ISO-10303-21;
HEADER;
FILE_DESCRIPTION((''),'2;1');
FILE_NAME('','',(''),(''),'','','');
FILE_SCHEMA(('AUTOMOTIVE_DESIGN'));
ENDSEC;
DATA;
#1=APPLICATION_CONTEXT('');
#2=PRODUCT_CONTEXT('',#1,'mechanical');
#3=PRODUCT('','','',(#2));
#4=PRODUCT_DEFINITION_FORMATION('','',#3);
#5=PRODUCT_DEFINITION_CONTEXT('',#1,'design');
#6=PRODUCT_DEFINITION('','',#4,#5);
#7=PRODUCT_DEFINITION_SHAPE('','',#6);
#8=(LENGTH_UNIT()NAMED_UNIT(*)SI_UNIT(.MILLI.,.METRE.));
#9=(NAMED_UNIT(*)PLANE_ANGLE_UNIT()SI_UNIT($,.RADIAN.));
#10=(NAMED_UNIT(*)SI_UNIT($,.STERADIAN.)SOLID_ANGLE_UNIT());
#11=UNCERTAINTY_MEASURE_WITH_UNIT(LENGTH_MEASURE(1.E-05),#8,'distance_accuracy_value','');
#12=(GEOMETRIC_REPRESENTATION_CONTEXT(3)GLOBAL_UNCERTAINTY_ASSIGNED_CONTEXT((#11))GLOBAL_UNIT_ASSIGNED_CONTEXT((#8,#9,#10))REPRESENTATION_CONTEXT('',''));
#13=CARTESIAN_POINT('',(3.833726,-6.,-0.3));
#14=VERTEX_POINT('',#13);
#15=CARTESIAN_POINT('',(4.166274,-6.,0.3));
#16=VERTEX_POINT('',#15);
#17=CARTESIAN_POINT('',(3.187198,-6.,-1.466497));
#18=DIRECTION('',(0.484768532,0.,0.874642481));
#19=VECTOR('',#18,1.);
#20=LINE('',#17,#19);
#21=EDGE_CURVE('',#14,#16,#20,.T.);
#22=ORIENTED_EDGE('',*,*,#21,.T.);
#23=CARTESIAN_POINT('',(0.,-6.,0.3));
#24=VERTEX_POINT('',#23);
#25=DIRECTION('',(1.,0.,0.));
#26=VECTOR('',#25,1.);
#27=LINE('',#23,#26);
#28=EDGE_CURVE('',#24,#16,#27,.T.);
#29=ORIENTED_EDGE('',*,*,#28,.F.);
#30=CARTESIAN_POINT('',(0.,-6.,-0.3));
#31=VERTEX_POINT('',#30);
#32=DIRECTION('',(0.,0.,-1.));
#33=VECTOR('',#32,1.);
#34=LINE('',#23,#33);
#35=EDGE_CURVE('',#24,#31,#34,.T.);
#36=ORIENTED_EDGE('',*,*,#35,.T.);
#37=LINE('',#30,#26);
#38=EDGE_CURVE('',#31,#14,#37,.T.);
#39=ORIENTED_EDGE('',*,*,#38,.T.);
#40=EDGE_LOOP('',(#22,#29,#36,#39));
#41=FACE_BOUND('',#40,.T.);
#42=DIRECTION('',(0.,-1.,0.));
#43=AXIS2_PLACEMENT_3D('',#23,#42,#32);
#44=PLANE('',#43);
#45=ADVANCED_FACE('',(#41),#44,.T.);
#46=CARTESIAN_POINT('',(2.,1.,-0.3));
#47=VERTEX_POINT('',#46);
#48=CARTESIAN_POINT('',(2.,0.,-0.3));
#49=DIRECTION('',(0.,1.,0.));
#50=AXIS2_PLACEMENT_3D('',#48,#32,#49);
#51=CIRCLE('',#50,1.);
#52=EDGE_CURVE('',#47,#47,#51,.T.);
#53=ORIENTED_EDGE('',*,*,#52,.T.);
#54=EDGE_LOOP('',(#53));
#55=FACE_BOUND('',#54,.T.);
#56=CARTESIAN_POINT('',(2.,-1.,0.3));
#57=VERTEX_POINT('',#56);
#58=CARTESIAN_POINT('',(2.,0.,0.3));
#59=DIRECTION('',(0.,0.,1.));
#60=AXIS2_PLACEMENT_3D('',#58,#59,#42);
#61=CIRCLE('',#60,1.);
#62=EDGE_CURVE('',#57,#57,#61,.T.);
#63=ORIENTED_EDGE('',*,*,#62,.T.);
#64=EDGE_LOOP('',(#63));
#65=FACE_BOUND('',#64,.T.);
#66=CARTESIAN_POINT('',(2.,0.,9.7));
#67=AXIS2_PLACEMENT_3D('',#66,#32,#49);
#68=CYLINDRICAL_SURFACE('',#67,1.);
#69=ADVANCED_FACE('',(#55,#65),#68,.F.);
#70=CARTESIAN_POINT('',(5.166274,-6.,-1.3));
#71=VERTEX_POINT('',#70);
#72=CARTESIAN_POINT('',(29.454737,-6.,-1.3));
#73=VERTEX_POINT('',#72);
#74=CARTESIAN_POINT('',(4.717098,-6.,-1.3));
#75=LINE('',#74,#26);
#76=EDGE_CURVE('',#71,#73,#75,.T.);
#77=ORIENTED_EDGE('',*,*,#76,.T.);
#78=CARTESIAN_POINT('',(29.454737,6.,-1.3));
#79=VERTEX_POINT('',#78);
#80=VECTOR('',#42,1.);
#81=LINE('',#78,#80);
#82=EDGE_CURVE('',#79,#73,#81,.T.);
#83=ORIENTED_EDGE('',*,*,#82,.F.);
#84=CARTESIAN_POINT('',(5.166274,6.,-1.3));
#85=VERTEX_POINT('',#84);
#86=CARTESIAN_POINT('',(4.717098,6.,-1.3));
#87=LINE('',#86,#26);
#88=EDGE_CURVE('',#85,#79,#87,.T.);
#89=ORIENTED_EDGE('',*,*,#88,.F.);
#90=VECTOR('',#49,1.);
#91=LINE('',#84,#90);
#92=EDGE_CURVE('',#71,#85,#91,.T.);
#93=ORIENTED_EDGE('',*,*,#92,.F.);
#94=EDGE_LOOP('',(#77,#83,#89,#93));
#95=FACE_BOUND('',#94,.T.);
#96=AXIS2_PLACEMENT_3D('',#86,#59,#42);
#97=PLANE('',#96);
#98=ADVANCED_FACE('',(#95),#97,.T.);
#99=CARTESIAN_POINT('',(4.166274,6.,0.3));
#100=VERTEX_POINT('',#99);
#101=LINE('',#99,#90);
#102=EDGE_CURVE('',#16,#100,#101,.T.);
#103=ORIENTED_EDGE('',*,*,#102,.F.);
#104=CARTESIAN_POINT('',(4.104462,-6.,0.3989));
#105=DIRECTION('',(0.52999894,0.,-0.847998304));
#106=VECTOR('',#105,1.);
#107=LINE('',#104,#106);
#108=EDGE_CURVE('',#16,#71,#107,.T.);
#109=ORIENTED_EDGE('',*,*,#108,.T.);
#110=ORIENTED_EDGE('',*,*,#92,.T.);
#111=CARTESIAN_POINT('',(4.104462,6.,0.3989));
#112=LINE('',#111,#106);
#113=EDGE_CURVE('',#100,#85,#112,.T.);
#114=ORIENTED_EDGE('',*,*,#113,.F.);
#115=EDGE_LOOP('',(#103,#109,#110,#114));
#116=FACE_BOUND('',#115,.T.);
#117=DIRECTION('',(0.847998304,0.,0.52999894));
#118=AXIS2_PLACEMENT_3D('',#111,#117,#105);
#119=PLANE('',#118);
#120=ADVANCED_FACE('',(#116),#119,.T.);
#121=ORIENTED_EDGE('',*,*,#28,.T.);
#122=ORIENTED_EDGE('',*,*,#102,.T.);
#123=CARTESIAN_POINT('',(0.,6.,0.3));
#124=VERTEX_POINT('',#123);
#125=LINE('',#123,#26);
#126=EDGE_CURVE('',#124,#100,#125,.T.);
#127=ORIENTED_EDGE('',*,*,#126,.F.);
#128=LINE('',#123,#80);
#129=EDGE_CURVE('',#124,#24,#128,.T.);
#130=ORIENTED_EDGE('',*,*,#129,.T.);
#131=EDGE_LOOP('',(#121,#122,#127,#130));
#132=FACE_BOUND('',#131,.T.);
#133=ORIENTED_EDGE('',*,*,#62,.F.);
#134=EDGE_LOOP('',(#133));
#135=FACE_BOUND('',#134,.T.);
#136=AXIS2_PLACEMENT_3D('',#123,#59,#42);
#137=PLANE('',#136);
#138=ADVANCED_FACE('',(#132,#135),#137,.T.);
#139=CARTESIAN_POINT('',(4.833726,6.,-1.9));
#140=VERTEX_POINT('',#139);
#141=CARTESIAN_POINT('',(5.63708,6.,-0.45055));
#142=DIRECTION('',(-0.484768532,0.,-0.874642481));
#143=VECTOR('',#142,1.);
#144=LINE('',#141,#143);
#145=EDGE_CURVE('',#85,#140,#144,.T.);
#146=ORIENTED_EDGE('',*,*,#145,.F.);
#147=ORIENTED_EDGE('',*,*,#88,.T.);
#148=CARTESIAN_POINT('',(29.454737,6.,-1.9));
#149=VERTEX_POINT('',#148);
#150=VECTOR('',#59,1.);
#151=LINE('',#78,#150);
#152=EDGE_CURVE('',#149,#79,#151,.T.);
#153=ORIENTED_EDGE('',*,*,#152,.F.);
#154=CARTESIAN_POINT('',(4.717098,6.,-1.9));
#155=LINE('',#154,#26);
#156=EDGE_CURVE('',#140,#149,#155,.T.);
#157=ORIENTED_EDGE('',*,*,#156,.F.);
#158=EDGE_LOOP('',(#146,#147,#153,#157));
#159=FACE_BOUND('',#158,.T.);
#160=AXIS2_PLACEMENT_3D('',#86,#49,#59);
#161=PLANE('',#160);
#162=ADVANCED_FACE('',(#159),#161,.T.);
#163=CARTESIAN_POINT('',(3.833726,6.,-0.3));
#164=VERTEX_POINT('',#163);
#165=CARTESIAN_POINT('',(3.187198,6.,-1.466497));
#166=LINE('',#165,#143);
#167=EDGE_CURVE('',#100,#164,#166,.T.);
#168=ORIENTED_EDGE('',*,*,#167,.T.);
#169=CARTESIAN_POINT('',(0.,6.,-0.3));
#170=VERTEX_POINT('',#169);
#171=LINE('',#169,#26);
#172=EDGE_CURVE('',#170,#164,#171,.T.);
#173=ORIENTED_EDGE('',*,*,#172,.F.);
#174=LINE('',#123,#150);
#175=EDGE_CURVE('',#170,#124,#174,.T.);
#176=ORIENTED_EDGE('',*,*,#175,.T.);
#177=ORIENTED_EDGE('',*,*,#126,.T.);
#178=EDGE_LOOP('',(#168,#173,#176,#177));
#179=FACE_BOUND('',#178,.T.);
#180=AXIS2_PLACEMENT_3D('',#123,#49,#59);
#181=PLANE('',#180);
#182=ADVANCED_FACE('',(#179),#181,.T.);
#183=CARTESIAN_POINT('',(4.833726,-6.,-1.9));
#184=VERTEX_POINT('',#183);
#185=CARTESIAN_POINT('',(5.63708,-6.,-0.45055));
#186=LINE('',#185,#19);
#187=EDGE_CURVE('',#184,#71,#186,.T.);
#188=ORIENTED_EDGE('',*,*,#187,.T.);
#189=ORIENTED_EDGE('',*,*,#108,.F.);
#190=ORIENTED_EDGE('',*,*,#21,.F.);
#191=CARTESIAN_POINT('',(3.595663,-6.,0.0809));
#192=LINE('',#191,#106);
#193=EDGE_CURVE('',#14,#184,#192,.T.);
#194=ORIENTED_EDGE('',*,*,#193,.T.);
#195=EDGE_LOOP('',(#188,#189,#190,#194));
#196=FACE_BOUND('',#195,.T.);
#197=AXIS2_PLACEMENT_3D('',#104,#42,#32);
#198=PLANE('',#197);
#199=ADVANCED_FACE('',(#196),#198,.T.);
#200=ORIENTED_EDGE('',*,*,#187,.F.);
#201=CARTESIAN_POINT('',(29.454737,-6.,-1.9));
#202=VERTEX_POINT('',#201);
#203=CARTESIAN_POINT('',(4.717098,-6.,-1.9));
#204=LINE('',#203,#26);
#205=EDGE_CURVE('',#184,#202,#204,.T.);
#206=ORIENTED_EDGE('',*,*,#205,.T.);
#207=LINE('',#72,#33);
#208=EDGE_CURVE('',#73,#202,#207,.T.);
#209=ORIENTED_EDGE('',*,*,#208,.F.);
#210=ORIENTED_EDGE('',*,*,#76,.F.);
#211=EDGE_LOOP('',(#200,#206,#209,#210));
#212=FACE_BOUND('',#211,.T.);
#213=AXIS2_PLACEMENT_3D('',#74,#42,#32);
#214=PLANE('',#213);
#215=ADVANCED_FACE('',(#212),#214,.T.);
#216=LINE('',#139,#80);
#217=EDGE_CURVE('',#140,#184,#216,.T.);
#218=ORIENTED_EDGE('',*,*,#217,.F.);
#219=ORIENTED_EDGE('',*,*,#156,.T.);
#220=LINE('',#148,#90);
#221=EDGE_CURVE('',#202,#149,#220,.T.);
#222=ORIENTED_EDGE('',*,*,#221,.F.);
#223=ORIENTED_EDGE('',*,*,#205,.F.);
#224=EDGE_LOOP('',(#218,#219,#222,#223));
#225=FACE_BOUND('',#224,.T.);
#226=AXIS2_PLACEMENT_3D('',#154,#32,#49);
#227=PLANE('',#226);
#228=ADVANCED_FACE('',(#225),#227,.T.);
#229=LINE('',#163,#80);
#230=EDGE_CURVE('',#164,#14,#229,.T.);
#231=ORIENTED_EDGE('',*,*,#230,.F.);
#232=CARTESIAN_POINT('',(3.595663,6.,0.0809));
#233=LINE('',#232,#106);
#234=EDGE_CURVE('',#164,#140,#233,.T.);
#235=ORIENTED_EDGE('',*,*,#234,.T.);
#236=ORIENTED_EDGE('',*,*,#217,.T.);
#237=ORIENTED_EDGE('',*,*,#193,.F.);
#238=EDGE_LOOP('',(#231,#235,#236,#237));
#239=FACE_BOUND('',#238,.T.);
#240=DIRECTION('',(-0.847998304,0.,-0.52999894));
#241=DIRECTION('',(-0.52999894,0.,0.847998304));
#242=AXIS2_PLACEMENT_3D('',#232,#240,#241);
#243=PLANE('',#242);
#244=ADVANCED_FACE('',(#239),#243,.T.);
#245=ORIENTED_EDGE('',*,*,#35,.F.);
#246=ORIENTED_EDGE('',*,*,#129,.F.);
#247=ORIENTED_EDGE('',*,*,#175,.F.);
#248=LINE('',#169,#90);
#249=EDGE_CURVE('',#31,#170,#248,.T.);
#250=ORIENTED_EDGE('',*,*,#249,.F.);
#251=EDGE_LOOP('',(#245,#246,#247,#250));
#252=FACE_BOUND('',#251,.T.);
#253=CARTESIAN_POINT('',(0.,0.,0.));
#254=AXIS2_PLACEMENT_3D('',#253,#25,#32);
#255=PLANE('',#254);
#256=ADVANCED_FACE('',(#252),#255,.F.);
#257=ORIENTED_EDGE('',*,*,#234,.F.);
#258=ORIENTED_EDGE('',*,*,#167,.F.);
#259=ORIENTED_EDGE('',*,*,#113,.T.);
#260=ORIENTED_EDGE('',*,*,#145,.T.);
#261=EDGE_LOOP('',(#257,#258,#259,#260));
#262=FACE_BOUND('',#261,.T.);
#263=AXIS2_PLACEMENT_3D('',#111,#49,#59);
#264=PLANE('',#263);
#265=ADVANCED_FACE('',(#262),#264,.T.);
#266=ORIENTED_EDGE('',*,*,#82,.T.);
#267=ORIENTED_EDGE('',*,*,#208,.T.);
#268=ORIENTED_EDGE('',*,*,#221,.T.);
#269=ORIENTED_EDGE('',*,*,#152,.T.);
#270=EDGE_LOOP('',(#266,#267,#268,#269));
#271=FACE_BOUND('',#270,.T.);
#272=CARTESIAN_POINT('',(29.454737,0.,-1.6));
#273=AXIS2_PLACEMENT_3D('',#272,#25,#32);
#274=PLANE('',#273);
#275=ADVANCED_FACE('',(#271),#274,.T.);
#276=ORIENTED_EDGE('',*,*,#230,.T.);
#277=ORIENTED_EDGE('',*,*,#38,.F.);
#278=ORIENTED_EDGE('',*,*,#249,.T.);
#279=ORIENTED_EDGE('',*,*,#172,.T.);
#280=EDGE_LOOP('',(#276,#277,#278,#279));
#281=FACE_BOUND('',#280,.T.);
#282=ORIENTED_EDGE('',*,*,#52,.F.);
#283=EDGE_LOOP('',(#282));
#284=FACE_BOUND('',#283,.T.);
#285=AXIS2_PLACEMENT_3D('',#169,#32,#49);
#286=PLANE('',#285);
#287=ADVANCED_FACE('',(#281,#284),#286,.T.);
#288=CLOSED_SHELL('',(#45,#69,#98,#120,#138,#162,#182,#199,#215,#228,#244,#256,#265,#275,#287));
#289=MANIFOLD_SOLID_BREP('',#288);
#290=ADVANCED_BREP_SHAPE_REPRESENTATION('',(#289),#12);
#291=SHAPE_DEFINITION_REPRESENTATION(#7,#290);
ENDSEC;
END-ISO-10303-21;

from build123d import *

# Parameters (mm, degrees)
SKETCH2_W          = 0.6
SKETCH2_H          = 12
SKETCH3_R          = 1
CUT_EXTRUDE1_DEPTH = 10


with BuildPart() as part:
    # Sweep1: sweep along a path in Sketch1
    with BuildLine(Plane(origin=(0, 0, 0), x_dir=(1, 0, 0), z_dir=(0, 1, 0))) as sweep1_path:
        Line((0, 0), (4, 0))
        Line((4, 0), (5, 1.6))
        Line((5, 1.6), (29.454736631, 1.6))
    # Sketch2 → Sweep1 (sweep)
    with BuildSketch(Plane(origin=(0, 0, 0), x_dir=(0, 0, -1), z_dir=(1, 0, 0))):
        Rectangle(SKETCH2_W, SKETCH2_H)
    sweep(path=sweep1_path.line, transition=Transition.RIGHT)

    # Sketch3 → Cut-Extrude1 (cut)
    with BuildSketch(Plane(origin=(0, 0, -0.3), x_dir=(-1, 0, 0), z_dir=(0, 0, -1))):
        with Locations(Location((-2, 0, 0), (0, 0, 90))):
            Circle(SKETCH3_R)
    extrude(amount=-CUT_EXTRUDE1_DEPTH, mode=Mode.SUBTRACT)


solid = part.part
